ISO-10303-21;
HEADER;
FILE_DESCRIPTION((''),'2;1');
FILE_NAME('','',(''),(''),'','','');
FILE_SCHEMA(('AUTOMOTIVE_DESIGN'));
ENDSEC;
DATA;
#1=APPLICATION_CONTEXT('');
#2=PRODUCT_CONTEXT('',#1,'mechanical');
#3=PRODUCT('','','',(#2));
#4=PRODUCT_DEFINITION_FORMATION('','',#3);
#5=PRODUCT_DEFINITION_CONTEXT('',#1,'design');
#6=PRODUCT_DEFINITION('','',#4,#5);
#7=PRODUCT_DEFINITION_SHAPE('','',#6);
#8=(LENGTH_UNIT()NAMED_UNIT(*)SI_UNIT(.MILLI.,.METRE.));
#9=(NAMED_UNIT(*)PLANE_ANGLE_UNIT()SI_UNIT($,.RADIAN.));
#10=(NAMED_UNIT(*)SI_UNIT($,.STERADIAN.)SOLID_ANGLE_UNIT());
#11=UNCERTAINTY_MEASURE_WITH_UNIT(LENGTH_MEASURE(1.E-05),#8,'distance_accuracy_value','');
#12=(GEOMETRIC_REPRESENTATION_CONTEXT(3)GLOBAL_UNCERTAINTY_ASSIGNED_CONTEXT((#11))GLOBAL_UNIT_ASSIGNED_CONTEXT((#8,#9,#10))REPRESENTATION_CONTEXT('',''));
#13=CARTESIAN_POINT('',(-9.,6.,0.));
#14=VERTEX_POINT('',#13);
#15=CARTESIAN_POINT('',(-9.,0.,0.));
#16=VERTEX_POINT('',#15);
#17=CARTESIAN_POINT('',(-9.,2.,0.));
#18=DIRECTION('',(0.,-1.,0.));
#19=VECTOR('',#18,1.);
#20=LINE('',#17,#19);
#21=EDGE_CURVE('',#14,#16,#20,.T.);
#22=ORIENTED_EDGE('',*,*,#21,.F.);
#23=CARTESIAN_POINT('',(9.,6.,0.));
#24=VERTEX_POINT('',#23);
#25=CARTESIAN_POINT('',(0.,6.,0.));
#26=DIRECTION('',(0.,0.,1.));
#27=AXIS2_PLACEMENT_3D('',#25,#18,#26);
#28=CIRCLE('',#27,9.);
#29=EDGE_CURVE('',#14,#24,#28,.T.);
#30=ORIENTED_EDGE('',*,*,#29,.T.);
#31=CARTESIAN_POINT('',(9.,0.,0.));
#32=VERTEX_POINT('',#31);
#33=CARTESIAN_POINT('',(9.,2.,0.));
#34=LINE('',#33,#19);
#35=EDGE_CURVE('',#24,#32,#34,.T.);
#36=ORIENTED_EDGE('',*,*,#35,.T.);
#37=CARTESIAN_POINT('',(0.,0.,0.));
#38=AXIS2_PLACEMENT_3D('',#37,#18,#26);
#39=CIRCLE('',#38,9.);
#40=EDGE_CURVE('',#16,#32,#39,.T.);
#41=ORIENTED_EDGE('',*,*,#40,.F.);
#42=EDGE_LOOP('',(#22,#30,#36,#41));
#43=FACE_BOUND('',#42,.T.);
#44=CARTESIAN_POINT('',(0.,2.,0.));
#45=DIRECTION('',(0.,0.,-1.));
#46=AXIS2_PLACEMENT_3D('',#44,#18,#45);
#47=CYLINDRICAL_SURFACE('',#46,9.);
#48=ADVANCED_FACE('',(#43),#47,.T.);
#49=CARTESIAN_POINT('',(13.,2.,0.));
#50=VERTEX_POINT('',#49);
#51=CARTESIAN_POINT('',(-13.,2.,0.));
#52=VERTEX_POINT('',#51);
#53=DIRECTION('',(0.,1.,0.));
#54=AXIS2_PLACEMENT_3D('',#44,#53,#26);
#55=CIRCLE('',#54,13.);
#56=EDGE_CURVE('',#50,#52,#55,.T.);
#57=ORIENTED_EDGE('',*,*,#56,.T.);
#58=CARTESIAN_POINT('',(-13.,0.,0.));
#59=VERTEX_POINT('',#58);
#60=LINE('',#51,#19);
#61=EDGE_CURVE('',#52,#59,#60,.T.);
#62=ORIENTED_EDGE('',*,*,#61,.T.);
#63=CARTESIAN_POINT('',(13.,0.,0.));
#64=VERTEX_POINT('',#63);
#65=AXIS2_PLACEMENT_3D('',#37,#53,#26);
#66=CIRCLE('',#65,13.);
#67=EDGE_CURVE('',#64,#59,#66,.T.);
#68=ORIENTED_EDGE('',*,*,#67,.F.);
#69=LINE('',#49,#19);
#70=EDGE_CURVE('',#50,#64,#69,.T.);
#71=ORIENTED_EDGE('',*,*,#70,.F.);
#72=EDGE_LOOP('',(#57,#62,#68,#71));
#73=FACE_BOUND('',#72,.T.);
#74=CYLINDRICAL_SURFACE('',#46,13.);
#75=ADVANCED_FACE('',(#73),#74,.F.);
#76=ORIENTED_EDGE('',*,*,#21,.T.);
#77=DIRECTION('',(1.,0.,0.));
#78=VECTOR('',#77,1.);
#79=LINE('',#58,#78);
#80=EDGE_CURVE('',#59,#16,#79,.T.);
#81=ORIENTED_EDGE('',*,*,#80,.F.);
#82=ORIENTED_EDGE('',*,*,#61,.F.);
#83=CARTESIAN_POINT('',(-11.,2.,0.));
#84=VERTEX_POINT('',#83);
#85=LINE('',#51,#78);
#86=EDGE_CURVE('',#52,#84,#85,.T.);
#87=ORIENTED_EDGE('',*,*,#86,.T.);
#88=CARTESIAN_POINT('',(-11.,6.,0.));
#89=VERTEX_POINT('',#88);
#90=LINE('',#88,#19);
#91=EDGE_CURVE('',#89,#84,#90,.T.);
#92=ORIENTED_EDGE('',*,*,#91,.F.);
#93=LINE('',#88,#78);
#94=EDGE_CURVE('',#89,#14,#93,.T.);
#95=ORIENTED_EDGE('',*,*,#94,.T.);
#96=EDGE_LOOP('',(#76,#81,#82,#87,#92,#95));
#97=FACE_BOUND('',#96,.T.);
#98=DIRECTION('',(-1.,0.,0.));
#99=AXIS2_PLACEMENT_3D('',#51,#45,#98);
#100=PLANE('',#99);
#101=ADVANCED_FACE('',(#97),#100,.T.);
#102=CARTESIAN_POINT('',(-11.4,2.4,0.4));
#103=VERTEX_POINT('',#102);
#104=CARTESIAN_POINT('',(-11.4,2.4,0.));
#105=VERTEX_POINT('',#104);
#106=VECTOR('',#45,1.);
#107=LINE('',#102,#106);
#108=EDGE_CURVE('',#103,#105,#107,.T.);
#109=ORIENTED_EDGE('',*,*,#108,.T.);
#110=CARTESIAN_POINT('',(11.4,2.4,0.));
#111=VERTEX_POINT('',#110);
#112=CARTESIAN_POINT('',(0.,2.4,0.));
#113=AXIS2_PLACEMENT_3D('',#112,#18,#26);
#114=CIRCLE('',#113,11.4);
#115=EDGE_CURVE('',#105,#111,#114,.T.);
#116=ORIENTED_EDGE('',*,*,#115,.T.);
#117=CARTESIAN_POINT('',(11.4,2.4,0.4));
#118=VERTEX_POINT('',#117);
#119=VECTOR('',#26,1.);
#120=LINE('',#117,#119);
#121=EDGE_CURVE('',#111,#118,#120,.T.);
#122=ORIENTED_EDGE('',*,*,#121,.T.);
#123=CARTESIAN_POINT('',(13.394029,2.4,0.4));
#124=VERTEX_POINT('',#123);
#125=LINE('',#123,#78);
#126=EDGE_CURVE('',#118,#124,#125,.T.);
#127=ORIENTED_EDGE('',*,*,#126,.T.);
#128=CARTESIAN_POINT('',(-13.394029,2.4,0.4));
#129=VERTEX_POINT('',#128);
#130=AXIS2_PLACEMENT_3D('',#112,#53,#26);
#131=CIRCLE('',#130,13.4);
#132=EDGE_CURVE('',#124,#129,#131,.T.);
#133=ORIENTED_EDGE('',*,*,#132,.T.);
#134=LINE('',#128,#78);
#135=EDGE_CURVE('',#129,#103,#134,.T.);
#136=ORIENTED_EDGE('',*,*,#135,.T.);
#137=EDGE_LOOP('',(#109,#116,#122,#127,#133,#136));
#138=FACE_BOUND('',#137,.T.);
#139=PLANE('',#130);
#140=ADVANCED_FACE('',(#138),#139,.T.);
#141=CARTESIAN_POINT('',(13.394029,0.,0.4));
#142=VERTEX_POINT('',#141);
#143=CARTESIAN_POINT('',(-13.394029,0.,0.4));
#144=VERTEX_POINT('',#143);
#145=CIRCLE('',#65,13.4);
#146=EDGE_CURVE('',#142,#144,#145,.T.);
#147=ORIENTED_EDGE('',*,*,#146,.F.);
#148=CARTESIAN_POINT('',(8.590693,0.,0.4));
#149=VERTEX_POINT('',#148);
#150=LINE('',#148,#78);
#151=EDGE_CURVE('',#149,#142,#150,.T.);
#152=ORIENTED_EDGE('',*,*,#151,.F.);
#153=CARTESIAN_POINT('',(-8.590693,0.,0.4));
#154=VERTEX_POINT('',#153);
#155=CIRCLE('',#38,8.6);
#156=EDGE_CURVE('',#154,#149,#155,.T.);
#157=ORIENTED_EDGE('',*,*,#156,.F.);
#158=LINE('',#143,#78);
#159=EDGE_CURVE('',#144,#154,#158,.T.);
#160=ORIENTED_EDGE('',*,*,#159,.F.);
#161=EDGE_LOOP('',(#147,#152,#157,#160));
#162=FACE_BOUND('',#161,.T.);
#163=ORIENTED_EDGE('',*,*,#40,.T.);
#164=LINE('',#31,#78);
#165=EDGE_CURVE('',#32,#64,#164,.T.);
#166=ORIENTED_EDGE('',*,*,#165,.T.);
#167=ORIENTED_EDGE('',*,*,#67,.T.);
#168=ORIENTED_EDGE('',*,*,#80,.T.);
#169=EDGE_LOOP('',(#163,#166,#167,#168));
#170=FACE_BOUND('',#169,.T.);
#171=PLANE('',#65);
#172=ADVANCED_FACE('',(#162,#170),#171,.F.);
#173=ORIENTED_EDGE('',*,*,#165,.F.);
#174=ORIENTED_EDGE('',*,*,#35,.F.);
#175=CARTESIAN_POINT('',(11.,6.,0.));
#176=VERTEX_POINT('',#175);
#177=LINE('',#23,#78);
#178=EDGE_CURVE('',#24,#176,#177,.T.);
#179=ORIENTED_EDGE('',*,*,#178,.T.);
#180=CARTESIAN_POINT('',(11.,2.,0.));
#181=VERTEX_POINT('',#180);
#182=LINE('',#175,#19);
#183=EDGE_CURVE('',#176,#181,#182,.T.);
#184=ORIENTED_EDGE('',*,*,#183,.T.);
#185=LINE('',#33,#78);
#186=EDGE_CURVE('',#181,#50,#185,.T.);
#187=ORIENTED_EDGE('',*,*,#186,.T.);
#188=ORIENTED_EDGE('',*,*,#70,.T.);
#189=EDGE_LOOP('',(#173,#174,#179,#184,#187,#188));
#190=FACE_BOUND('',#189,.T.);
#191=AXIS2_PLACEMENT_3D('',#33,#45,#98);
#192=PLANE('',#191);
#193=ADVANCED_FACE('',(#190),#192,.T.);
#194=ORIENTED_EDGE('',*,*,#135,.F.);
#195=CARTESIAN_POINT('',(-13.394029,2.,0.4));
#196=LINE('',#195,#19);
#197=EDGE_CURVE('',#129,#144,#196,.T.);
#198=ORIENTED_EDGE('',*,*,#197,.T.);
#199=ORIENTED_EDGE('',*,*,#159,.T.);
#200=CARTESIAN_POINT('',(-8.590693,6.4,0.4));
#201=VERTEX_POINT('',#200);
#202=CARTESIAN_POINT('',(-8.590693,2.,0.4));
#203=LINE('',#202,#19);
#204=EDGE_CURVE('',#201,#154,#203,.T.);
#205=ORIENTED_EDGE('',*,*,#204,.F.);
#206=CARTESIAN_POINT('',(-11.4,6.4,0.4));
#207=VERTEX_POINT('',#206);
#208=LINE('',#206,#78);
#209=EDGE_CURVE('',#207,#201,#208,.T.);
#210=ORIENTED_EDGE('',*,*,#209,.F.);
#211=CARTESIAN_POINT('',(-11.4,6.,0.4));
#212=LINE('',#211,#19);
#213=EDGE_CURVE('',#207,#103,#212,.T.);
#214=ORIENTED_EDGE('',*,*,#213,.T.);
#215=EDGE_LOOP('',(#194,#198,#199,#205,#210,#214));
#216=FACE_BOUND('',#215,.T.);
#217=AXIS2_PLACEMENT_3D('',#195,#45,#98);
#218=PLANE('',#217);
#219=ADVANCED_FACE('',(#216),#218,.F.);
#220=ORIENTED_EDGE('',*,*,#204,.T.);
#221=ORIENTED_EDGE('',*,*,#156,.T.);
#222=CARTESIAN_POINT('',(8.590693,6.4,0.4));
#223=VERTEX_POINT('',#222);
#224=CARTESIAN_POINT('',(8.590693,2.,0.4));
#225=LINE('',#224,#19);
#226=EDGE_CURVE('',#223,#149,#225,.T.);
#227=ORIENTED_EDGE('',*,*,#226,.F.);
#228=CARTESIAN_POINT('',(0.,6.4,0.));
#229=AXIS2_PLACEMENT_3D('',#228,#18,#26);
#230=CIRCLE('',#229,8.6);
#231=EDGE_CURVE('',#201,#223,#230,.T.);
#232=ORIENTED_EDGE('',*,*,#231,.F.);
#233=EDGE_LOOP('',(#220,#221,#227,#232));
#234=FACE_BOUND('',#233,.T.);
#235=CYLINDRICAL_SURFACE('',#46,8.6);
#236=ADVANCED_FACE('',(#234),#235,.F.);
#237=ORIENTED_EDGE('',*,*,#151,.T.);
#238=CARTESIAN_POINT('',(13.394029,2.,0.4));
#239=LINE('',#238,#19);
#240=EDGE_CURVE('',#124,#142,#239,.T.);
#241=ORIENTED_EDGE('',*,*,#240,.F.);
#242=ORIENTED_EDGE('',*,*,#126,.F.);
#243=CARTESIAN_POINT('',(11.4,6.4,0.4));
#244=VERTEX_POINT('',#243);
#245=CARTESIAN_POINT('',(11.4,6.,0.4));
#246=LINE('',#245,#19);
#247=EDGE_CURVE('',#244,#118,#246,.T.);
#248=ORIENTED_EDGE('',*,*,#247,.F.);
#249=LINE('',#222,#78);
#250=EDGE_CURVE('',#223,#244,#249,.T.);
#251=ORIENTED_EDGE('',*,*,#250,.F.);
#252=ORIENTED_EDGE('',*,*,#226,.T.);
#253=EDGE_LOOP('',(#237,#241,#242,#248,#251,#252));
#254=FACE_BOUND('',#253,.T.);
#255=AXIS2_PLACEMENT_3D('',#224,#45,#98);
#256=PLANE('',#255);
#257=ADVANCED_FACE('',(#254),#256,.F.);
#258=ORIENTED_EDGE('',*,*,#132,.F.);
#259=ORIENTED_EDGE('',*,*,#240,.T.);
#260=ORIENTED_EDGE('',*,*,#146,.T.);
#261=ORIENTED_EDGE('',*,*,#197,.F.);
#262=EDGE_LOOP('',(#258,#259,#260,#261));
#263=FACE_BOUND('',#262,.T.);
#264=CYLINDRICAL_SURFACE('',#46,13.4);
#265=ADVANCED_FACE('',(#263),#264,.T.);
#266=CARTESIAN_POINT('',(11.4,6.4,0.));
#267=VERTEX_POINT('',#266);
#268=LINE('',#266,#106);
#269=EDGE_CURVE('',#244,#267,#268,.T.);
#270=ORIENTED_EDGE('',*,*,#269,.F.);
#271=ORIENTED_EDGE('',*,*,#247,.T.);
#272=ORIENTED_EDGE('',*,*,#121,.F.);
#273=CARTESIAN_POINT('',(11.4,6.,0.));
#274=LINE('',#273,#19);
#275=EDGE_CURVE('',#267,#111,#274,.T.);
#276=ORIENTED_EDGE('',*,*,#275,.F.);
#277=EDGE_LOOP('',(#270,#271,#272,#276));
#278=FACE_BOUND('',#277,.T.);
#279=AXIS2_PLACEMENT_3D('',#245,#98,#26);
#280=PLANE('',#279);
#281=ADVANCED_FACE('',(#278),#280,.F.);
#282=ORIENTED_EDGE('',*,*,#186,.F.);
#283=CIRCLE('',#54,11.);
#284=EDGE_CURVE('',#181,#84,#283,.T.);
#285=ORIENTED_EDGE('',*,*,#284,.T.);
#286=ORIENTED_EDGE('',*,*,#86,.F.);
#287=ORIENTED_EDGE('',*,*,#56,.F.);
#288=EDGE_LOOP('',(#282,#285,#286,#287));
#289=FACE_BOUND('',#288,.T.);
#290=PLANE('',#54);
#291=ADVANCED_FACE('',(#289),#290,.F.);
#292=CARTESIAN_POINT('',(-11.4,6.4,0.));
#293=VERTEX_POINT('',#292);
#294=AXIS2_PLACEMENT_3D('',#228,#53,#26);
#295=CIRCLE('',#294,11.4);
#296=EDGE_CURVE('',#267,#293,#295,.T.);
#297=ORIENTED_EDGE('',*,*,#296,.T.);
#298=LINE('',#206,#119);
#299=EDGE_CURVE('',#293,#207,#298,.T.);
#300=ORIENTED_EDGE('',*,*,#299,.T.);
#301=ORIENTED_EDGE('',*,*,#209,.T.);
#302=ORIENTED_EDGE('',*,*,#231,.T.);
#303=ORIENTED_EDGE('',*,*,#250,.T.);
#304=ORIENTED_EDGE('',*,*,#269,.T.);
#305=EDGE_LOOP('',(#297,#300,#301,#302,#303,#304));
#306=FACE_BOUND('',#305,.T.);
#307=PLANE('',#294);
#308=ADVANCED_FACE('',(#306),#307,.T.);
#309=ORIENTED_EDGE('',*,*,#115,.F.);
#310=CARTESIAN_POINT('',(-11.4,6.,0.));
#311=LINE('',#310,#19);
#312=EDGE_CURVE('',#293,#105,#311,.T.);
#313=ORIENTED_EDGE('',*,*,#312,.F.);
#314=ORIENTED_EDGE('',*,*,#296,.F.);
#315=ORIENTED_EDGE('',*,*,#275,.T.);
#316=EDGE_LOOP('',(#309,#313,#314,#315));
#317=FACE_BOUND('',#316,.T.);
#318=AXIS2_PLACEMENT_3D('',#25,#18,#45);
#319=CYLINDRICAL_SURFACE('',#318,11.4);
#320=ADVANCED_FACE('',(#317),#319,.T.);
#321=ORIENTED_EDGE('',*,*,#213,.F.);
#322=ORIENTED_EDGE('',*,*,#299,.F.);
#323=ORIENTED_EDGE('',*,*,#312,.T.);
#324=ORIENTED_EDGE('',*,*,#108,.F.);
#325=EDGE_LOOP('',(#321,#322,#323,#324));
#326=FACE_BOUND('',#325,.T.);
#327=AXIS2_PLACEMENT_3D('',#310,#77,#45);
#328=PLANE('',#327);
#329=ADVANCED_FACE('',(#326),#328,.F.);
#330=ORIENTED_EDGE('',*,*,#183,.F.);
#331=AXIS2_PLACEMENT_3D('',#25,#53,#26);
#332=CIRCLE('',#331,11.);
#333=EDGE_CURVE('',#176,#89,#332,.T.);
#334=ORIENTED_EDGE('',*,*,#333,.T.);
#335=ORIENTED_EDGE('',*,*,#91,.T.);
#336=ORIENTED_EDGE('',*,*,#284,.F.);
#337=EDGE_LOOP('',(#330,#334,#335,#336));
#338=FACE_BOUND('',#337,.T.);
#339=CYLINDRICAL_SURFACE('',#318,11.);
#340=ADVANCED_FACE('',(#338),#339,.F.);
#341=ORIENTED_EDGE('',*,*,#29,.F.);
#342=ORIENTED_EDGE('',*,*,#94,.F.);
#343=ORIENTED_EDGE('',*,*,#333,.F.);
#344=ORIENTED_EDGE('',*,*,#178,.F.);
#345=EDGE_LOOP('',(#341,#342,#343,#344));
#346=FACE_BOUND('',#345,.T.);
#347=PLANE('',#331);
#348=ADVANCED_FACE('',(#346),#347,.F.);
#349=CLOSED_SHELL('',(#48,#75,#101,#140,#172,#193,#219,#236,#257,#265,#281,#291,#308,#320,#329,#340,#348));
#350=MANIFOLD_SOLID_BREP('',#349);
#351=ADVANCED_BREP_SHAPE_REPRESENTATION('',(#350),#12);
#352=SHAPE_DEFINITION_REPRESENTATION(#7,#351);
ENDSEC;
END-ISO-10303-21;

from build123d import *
from build123d.topology import SkipClean

# Parameters (mm, degrees)
BOSS_EXTRUDE2_DEPTH = 2
BOSS_EXTRUDE3_DEPTH = 4
BOSS_EXTRUDE4_DEPTH = 0.4
BOSS_EXTRUDE6_DEPTH = 0.4


with BuildPart() as part:
    # Sketch4 → Boss-Extrude2 (new body)
    with BuildSketch(Plane(origin=(0, 0, 0), x_dir=(1, 0, 0), z_dir=(0, 1, 0))):
        with BuildLine():
            Line((-13.39402852, -0.4), (-8.590692638, -0.4))
            ThreePointArc((-8.590692638, -0.4), (0, 8.6), (8.590692638, -0.4))
            Line((8.590692638, -0.4), (13.39402852, -0.4))
            ThreePointArc((13.39402852, -0.4), (0, 13.4), (-13.39402852, -0.4))
        make_face()
        with BuildLine():
            Line((9, 0), (13, 0))
            ThreePointArc((13, 0), (0, 13), (-13, 0))
            Line((-13, 0), (-9, 0))
            ThreePointArc((-9, 0), (0, 9), (9, 0))
        make_face(mode=Mode.SUBTRACT)
    extrude(amount=BOSS_EXTRUDE2_DEPTH)

    # Sketch5 → Boss-Extrude3 (add)
    with BuildSketch(Plane(origin=(0, 2, 0), x_dir=(1, 0, 0), z_dir=(0, 1, 0))):
        with BuildLine():
            Line((-11.4, 0), (-11.4, -0.4))
            Line((-11.4, -0.4), (-8.590692638, -0.4))
            ThreePointArc((-8.590692638, -0.4), (0, 8.6), (8.590692638, -0.4))
            Line((8.590692638, -0.4), (11.4, -0.4))
            Line((11.4, -0.4), (11.4, 0))
            ThreePointArc((11.4, 0), (0, 11.4), (-11.4, 0))
        make_face()
        with BuildLine():
            Line((-11, 0), (-9, 0))
            ThreePointArc((-9, 0), (0, 9), (9, 0))
            Line((9, 0), (11, 0))
            ThreePointArc((11, 0), (0, 11), (-11, 0))
        make_face(mode=Mode.SUBTRACT)
    extrude(amount=BOSS_EXTRUDE3_DEPTH)

    # Sketch6 → Boss-Extrude4 (add)
    with BuildSketch(Plane(origin=(0, 2, 0), x_dir=(1, 0, 0), z_dir=(0, 1, 0))):
        with BuildLine():
            Line((-13.39402852, -0.4), (-11.4, -0.4))
            Line((-11.4, -0.4), (-11.4, 0))
            ThreePointArc((-11.4, 0), (0, 11.4), (11.4, 0))
            Line((11.4, 0), (11.4, -0.4))
            Line((11.4, -0.4), (13.39402852, -0.4))
            ThreePointArc((13.39402852, -0.4), (0, 13.4), (-13.39402852, -0.4))
        make_face()
    extrude(amount=BOSS_EXTRUDE4_DEPTH)

    # Sketch8 → Boss-Extrude6 (add)
    with SkipClean():  # the faces are left unmerged after this step: merging them gives an invalid solid
        with BuildSketch(Plane(origin=(0, 6, 0), x_dir=(1, 0, 0), z_dir=(0, 1, 0))):
            with BuildLine():
                Line((11.4, 0), (11.4, -0.4))
                Line((11.4, -0.4), (8.590692638, -0.4))
                ThreePointArc((8.590692638, -0.4), (0, 8.6), (-8.590692638, -0.4))
                Line((-8.590692638, -0.4), (-11.4, -0.4))
                Line((-11.4, -0.4), (-11.4, 0))
                ThreePointArc((-11.4, 0), (0, 11.4), (11.4, 0))
            make_face()
        extrude(amount=BOSS_EXTRUDE6_DEPTH)


solid = part.part
